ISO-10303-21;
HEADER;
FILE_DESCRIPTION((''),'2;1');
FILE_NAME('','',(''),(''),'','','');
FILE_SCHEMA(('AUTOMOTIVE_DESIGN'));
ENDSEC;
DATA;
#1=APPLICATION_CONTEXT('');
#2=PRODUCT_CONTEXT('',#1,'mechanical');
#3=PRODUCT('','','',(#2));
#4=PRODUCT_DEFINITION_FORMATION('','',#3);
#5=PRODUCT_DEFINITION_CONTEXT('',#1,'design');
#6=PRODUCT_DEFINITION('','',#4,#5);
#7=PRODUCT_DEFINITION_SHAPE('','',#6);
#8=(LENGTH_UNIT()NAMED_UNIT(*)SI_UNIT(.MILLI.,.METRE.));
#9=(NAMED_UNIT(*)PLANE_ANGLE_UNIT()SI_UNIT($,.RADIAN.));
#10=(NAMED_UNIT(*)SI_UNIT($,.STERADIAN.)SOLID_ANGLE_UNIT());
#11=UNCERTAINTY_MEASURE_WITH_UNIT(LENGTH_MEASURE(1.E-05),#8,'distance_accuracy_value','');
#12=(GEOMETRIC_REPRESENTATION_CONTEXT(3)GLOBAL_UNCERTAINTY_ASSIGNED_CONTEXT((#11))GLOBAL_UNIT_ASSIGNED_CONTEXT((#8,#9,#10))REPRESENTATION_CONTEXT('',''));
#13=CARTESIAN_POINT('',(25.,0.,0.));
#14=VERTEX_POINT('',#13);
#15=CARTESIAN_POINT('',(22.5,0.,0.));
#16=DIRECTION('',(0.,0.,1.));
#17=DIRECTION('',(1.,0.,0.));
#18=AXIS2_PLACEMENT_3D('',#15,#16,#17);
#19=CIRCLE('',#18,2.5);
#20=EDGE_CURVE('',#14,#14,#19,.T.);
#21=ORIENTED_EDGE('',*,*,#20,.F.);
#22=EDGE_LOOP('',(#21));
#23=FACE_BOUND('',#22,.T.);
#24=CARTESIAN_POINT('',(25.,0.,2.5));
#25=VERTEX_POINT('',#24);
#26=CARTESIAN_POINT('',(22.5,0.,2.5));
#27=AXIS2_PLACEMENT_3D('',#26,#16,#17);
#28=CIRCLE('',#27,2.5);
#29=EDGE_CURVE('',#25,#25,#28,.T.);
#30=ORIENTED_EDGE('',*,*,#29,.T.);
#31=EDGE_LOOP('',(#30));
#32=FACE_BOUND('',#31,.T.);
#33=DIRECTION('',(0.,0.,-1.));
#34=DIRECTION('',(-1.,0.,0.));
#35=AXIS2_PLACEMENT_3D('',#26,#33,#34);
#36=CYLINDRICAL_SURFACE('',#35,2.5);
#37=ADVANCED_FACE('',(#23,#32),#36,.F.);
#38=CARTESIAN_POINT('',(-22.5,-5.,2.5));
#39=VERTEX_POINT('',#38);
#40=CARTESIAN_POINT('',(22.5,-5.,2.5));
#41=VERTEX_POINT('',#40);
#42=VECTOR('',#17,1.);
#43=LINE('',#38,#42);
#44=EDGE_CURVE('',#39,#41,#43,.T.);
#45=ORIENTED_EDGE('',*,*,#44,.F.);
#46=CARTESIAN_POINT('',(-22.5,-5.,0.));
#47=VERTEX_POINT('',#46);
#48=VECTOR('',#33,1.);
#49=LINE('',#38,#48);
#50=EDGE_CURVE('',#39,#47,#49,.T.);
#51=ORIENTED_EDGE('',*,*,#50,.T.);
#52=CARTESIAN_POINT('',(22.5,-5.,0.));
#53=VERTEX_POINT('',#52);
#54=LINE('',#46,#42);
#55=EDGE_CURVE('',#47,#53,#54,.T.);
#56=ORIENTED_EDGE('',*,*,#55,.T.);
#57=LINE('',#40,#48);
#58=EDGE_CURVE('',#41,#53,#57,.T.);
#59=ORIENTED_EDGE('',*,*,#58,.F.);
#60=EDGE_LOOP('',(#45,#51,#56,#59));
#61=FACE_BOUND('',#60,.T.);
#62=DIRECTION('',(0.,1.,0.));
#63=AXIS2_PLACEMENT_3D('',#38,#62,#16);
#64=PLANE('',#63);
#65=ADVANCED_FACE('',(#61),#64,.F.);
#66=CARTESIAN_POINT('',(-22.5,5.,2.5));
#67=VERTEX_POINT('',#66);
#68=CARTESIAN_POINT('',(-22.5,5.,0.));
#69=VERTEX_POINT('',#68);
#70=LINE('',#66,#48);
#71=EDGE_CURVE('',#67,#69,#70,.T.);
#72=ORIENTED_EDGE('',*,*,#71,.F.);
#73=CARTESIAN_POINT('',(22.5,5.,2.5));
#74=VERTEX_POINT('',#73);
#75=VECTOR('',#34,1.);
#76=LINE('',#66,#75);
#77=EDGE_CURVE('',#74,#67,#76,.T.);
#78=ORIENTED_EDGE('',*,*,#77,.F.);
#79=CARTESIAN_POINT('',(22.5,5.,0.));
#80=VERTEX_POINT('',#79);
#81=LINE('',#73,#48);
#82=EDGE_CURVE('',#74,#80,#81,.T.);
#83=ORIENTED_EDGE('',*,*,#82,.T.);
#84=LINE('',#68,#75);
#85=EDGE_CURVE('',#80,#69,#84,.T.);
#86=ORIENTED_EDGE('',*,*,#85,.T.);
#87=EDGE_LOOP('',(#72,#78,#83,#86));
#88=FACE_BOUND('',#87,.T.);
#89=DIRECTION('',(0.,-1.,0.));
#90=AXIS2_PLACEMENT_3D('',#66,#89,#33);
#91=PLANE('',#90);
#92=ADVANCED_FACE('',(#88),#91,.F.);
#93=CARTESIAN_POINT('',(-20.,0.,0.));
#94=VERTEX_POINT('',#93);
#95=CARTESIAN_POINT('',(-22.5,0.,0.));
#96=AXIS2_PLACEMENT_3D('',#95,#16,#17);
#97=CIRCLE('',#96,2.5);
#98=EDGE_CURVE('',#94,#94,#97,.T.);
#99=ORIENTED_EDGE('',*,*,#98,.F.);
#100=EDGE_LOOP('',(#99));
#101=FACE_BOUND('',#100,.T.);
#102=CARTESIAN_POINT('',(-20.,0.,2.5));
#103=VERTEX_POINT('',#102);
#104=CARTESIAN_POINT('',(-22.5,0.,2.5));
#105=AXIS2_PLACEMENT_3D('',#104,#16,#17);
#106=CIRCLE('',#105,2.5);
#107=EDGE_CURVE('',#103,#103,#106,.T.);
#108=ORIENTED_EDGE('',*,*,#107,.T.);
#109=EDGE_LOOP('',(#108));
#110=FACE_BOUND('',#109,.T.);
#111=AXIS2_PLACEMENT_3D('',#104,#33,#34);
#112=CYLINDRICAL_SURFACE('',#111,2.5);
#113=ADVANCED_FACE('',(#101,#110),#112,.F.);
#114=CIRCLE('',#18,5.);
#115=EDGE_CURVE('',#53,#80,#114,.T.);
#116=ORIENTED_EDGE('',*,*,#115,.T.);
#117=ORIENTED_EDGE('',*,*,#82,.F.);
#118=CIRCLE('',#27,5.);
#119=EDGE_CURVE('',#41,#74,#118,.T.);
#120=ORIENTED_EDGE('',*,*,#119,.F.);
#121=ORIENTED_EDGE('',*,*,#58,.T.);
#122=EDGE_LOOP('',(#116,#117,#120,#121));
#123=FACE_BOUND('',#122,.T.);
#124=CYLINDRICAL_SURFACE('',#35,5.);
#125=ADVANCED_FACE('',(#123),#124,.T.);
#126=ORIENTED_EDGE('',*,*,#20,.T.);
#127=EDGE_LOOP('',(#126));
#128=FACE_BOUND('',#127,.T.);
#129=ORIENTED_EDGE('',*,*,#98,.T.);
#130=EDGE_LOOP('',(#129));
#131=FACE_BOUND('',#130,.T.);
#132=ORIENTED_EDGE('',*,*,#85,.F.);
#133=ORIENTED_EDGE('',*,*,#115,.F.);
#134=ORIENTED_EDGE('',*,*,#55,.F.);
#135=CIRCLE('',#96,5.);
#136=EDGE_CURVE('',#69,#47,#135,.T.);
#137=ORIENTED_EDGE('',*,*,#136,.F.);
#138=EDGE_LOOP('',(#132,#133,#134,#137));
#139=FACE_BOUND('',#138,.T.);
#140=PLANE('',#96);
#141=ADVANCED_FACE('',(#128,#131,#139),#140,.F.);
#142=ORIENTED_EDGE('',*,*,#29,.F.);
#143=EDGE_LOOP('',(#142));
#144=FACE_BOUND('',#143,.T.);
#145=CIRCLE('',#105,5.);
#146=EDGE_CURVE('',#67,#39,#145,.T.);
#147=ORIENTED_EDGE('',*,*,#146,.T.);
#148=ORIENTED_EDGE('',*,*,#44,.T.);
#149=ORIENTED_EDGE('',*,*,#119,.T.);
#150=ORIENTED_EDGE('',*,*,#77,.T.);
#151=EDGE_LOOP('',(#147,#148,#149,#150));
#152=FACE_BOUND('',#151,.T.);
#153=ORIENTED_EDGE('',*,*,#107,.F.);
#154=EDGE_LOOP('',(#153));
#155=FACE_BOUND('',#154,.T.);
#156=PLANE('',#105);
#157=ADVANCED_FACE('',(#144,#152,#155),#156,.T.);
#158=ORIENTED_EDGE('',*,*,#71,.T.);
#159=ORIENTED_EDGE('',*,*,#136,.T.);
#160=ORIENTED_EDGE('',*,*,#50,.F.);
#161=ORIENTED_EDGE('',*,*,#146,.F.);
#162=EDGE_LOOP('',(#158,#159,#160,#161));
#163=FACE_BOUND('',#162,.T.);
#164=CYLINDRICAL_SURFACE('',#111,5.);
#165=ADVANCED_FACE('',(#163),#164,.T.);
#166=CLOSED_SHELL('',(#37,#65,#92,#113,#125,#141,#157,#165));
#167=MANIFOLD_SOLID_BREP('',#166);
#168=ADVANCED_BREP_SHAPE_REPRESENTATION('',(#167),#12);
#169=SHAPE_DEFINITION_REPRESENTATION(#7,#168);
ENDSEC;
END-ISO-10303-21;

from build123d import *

# Parameters (mm, degrees)
SKETCH1_R           = 2.5
BOSS_EXTRUDE1_DEPTH = 2.5


with BuildPart() as part:
    # Sketch1 → Boss-Extrude1 (new body)
    with BuildSketch(Plane.XY):
        with BuildLine():
            Line((-22.5, 5), (22.5, 5))
            ThreePointArc((22.5, 5), (27.5, 0), (22.5, -5))
            Line((22.5, -5), (-22.5, -5))
            ThreePointArc((-22.5, -5), (-27.5, 0), (-22.5, 5))
        make_face()
        with Locations((-22.5, 0)):
            Circle(SKETCH1_R, mode=Mode.SUBTRACT)
        with Locations((22.5, 0)):
            Circle(SKETCH1_R, mode=Mode.SUBTRACT)
    extrude(amount=BOSS_EXTRUDE1_DEPTH)


solid = part.part
